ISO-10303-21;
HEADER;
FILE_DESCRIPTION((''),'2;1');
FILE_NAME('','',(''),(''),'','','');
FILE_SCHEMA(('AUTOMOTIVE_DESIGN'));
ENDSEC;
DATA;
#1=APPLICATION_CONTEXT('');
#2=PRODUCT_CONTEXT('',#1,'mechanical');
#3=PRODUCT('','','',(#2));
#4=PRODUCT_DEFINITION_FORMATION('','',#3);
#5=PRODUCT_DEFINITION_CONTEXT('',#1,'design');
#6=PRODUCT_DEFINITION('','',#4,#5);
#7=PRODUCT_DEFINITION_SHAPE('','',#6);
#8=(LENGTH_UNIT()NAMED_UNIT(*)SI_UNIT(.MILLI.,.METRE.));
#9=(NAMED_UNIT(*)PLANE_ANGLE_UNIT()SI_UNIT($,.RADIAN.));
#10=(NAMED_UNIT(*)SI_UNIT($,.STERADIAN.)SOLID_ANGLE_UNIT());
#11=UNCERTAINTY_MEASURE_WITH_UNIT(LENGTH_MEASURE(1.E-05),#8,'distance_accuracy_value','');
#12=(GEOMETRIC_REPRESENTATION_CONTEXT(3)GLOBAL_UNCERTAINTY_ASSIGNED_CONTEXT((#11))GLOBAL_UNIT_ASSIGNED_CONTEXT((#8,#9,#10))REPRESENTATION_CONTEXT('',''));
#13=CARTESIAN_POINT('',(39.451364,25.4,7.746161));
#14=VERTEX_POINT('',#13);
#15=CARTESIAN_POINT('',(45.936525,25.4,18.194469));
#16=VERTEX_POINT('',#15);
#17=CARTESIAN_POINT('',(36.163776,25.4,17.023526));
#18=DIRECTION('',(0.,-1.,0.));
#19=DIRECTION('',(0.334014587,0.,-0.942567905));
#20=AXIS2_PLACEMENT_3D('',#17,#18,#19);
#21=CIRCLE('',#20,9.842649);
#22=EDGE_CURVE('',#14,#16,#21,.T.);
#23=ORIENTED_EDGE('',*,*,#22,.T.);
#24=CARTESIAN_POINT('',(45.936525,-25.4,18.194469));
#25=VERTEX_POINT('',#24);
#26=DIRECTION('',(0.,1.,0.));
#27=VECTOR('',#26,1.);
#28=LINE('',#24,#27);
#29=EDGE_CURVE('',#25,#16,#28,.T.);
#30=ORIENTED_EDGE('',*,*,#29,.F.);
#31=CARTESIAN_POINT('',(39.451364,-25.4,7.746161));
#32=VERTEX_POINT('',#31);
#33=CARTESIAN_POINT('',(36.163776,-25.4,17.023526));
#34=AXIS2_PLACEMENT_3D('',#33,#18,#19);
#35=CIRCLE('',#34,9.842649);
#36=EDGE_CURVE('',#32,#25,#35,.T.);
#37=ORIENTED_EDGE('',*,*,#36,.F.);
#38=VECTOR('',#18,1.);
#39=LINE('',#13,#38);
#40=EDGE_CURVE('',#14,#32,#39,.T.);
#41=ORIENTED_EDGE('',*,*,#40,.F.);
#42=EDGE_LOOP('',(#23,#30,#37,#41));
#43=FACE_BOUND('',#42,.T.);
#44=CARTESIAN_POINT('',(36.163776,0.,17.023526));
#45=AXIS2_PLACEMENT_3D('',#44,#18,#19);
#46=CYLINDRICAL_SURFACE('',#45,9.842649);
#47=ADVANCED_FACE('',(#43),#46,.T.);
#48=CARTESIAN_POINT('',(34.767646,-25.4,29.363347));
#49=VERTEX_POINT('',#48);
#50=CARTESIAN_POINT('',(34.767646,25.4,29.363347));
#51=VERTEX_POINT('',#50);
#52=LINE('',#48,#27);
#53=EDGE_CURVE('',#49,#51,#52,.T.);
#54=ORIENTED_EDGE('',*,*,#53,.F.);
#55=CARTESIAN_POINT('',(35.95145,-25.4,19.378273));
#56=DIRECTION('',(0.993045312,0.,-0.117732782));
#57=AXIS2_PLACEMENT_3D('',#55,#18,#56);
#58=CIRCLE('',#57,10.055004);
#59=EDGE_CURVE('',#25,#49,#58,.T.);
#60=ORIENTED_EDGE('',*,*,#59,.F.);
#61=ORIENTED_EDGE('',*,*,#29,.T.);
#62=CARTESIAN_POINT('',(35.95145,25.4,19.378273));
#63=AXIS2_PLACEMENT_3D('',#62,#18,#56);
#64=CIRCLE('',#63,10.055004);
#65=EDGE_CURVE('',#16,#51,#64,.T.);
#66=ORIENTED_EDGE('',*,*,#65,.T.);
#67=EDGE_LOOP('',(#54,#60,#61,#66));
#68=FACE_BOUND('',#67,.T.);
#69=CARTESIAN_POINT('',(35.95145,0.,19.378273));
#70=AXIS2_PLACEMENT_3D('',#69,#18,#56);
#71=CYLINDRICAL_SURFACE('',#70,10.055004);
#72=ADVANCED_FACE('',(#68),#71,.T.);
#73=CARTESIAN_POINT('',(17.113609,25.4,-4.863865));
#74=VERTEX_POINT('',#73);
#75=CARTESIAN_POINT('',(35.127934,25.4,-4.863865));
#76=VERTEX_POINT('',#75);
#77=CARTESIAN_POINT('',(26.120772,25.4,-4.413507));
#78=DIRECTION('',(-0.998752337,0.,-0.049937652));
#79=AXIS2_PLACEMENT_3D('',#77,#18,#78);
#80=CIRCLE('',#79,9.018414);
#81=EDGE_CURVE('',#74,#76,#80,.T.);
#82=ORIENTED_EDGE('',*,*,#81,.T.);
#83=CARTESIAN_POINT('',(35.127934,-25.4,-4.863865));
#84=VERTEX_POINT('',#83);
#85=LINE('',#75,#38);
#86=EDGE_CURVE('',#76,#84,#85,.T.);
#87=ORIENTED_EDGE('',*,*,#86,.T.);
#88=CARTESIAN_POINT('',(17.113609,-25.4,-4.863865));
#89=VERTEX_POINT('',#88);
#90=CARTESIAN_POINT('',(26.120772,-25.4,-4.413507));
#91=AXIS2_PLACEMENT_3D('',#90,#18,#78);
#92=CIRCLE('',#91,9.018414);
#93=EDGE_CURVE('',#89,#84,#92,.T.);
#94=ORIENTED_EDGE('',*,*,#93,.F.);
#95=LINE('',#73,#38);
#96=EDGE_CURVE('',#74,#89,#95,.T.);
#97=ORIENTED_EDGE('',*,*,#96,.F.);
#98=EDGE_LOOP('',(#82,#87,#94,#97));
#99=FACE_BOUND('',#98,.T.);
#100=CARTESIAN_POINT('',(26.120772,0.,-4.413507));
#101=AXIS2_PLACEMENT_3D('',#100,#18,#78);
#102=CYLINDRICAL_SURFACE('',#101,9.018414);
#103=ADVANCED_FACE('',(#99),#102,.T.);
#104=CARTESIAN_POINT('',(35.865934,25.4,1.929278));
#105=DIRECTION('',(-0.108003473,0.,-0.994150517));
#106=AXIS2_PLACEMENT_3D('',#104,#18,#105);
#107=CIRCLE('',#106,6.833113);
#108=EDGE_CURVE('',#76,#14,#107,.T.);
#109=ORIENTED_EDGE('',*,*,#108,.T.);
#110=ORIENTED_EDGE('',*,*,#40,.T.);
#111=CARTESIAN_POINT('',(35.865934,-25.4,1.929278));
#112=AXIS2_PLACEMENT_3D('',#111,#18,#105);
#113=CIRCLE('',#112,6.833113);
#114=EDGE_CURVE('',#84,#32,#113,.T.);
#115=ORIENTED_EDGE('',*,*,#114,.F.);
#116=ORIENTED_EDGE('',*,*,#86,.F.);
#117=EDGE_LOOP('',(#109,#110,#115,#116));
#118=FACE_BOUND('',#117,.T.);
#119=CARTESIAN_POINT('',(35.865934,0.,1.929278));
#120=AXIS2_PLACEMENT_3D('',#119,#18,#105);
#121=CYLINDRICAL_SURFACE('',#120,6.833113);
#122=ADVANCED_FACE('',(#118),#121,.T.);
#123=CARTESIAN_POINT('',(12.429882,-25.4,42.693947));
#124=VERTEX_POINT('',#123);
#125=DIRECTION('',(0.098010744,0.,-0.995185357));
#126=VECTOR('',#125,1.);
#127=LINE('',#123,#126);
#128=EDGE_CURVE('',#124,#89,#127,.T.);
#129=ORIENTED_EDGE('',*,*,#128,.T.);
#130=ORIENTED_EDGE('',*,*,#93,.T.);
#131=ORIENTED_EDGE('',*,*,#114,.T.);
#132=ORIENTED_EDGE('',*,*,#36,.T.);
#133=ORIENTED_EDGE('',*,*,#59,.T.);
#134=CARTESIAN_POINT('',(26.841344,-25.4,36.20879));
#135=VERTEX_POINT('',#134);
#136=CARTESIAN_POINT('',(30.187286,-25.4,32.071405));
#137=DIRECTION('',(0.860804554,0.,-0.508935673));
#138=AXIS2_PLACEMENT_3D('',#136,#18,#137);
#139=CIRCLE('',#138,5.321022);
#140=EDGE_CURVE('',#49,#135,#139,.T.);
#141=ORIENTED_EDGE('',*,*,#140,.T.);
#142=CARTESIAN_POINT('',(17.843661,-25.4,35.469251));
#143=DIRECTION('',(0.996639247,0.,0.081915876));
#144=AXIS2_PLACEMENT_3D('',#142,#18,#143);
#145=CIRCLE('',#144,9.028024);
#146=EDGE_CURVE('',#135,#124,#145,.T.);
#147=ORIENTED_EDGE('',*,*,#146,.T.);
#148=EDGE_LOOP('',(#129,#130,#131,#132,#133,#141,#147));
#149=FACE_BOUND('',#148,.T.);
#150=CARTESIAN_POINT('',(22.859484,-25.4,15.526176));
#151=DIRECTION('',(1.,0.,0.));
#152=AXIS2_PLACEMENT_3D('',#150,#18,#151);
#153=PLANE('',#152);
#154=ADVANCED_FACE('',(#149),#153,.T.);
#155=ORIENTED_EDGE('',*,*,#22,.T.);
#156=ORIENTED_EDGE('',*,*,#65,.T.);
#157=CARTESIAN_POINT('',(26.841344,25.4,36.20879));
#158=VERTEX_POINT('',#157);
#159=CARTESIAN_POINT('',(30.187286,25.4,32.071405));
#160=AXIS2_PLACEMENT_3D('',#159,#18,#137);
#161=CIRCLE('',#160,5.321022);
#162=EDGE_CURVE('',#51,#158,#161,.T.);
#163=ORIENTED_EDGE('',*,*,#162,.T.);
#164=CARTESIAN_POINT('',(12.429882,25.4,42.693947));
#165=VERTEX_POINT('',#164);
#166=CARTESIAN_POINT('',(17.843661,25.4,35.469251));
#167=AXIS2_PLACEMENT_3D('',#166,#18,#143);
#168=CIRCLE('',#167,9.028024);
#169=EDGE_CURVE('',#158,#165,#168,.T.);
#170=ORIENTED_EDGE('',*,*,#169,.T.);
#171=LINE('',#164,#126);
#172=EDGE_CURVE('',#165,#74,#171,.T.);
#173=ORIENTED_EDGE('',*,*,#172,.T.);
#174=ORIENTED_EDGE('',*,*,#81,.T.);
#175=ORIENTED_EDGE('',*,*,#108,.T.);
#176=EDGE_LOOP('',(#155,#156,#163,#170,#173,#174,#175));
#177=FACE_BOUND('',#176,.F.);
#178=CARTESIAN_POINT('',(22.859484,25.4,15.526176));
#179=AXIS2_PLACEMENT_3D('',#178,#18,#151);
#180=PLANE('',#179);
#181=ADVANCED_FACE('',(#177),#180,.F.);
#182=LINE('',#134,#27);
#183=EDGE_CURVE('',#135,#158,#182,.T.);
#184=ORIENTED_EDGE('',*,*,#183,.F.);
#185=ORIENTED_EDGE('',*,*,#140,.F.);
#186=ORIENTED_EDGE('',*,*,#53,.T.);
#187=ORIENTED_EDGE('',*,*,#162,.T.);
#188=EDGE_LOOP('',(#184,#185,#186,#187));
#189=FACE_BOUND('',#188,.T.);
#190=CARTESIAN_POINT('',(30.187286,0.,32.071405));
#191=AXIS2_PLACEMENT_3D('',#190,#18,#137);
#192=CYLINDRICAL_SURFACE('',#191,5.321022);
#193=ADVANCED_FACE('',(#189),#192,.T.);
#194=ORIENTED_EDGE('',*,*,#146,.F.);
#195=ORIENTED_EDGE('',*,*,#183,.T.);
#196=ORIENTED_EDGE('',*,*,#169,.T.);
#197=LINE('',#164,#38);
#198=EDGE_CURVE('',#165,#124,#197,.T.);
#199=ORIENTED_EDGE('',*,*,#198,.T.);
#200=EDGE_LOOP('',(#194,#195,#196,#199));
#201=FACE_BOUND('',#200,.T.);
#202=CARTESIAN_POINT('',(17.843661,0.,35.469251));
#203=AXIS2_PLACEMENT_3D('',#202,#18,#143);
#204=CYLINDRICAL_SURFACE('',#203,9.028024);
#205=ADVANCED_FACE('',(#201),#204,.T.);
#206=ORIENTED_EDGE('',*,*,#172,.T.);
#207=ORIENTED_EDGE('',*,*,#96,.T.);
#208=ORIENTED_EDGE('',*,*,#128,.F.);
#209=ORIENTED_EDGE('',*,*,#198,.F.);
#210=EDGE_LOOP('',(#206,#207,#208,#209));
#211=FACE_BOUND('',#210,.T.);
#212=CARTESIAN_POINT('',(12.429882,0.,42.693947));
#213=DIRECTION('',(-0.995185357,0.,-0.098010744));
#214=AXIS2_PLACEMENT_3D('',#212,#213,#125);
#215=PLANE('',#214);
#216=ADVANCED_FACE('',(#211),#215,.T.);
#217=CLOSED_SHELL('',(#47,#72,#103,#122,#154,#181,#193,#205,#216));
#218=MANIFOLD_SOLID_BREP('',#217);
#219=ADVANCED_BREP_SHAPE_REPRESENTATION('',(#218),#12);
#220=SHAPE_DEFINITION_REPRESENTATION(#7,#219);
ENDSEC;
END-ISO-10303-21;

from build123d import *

# Parameters (mm, degrees)
F1_DEPTH = 25.4


with BuildPart() as f1:
    # F0 (on Front) → F1 (new body, symmetric)
    with BuildSketch(Plane.XZ):
        with BuildLine():
            Line((35.127934, -4.863865), (26.841344, 36.20879))
            ThreePointArc((26.841344, 36.20879), (21.548443, 43.702101), (12.429882, 42.693947))
            Line((12.429882, 42.693947), (17.113609, -4.863865))
            ThreePointArc((17.113609, -4.863865), (26.120772, -13.431921), (35.127934, -4.863865))
        make_face()
        with BuildLine():
            ThreePointArc((34.767646, 29.363347), (33.665212, 36.098477), (26.841344, 36.20879))
            Line((26.841344, 36.20879), (35.127934, -4.863865))
            ThreePointArc((35.127934, -4.863865), (42.329691, -0.286863), (39.451364, 7.746161))
            ThreePointArc((39.451364, 7.746161), (44.526484, 11.832876), (45.936525, 18.194469))
            ThreePointArc((45.936525, 18.194469), (43.061412, 26.488234), (34.767646, 29.363347))
        make_face()
    extrude(amount=F1_DEPTH, both=True)


solid = f1.part
